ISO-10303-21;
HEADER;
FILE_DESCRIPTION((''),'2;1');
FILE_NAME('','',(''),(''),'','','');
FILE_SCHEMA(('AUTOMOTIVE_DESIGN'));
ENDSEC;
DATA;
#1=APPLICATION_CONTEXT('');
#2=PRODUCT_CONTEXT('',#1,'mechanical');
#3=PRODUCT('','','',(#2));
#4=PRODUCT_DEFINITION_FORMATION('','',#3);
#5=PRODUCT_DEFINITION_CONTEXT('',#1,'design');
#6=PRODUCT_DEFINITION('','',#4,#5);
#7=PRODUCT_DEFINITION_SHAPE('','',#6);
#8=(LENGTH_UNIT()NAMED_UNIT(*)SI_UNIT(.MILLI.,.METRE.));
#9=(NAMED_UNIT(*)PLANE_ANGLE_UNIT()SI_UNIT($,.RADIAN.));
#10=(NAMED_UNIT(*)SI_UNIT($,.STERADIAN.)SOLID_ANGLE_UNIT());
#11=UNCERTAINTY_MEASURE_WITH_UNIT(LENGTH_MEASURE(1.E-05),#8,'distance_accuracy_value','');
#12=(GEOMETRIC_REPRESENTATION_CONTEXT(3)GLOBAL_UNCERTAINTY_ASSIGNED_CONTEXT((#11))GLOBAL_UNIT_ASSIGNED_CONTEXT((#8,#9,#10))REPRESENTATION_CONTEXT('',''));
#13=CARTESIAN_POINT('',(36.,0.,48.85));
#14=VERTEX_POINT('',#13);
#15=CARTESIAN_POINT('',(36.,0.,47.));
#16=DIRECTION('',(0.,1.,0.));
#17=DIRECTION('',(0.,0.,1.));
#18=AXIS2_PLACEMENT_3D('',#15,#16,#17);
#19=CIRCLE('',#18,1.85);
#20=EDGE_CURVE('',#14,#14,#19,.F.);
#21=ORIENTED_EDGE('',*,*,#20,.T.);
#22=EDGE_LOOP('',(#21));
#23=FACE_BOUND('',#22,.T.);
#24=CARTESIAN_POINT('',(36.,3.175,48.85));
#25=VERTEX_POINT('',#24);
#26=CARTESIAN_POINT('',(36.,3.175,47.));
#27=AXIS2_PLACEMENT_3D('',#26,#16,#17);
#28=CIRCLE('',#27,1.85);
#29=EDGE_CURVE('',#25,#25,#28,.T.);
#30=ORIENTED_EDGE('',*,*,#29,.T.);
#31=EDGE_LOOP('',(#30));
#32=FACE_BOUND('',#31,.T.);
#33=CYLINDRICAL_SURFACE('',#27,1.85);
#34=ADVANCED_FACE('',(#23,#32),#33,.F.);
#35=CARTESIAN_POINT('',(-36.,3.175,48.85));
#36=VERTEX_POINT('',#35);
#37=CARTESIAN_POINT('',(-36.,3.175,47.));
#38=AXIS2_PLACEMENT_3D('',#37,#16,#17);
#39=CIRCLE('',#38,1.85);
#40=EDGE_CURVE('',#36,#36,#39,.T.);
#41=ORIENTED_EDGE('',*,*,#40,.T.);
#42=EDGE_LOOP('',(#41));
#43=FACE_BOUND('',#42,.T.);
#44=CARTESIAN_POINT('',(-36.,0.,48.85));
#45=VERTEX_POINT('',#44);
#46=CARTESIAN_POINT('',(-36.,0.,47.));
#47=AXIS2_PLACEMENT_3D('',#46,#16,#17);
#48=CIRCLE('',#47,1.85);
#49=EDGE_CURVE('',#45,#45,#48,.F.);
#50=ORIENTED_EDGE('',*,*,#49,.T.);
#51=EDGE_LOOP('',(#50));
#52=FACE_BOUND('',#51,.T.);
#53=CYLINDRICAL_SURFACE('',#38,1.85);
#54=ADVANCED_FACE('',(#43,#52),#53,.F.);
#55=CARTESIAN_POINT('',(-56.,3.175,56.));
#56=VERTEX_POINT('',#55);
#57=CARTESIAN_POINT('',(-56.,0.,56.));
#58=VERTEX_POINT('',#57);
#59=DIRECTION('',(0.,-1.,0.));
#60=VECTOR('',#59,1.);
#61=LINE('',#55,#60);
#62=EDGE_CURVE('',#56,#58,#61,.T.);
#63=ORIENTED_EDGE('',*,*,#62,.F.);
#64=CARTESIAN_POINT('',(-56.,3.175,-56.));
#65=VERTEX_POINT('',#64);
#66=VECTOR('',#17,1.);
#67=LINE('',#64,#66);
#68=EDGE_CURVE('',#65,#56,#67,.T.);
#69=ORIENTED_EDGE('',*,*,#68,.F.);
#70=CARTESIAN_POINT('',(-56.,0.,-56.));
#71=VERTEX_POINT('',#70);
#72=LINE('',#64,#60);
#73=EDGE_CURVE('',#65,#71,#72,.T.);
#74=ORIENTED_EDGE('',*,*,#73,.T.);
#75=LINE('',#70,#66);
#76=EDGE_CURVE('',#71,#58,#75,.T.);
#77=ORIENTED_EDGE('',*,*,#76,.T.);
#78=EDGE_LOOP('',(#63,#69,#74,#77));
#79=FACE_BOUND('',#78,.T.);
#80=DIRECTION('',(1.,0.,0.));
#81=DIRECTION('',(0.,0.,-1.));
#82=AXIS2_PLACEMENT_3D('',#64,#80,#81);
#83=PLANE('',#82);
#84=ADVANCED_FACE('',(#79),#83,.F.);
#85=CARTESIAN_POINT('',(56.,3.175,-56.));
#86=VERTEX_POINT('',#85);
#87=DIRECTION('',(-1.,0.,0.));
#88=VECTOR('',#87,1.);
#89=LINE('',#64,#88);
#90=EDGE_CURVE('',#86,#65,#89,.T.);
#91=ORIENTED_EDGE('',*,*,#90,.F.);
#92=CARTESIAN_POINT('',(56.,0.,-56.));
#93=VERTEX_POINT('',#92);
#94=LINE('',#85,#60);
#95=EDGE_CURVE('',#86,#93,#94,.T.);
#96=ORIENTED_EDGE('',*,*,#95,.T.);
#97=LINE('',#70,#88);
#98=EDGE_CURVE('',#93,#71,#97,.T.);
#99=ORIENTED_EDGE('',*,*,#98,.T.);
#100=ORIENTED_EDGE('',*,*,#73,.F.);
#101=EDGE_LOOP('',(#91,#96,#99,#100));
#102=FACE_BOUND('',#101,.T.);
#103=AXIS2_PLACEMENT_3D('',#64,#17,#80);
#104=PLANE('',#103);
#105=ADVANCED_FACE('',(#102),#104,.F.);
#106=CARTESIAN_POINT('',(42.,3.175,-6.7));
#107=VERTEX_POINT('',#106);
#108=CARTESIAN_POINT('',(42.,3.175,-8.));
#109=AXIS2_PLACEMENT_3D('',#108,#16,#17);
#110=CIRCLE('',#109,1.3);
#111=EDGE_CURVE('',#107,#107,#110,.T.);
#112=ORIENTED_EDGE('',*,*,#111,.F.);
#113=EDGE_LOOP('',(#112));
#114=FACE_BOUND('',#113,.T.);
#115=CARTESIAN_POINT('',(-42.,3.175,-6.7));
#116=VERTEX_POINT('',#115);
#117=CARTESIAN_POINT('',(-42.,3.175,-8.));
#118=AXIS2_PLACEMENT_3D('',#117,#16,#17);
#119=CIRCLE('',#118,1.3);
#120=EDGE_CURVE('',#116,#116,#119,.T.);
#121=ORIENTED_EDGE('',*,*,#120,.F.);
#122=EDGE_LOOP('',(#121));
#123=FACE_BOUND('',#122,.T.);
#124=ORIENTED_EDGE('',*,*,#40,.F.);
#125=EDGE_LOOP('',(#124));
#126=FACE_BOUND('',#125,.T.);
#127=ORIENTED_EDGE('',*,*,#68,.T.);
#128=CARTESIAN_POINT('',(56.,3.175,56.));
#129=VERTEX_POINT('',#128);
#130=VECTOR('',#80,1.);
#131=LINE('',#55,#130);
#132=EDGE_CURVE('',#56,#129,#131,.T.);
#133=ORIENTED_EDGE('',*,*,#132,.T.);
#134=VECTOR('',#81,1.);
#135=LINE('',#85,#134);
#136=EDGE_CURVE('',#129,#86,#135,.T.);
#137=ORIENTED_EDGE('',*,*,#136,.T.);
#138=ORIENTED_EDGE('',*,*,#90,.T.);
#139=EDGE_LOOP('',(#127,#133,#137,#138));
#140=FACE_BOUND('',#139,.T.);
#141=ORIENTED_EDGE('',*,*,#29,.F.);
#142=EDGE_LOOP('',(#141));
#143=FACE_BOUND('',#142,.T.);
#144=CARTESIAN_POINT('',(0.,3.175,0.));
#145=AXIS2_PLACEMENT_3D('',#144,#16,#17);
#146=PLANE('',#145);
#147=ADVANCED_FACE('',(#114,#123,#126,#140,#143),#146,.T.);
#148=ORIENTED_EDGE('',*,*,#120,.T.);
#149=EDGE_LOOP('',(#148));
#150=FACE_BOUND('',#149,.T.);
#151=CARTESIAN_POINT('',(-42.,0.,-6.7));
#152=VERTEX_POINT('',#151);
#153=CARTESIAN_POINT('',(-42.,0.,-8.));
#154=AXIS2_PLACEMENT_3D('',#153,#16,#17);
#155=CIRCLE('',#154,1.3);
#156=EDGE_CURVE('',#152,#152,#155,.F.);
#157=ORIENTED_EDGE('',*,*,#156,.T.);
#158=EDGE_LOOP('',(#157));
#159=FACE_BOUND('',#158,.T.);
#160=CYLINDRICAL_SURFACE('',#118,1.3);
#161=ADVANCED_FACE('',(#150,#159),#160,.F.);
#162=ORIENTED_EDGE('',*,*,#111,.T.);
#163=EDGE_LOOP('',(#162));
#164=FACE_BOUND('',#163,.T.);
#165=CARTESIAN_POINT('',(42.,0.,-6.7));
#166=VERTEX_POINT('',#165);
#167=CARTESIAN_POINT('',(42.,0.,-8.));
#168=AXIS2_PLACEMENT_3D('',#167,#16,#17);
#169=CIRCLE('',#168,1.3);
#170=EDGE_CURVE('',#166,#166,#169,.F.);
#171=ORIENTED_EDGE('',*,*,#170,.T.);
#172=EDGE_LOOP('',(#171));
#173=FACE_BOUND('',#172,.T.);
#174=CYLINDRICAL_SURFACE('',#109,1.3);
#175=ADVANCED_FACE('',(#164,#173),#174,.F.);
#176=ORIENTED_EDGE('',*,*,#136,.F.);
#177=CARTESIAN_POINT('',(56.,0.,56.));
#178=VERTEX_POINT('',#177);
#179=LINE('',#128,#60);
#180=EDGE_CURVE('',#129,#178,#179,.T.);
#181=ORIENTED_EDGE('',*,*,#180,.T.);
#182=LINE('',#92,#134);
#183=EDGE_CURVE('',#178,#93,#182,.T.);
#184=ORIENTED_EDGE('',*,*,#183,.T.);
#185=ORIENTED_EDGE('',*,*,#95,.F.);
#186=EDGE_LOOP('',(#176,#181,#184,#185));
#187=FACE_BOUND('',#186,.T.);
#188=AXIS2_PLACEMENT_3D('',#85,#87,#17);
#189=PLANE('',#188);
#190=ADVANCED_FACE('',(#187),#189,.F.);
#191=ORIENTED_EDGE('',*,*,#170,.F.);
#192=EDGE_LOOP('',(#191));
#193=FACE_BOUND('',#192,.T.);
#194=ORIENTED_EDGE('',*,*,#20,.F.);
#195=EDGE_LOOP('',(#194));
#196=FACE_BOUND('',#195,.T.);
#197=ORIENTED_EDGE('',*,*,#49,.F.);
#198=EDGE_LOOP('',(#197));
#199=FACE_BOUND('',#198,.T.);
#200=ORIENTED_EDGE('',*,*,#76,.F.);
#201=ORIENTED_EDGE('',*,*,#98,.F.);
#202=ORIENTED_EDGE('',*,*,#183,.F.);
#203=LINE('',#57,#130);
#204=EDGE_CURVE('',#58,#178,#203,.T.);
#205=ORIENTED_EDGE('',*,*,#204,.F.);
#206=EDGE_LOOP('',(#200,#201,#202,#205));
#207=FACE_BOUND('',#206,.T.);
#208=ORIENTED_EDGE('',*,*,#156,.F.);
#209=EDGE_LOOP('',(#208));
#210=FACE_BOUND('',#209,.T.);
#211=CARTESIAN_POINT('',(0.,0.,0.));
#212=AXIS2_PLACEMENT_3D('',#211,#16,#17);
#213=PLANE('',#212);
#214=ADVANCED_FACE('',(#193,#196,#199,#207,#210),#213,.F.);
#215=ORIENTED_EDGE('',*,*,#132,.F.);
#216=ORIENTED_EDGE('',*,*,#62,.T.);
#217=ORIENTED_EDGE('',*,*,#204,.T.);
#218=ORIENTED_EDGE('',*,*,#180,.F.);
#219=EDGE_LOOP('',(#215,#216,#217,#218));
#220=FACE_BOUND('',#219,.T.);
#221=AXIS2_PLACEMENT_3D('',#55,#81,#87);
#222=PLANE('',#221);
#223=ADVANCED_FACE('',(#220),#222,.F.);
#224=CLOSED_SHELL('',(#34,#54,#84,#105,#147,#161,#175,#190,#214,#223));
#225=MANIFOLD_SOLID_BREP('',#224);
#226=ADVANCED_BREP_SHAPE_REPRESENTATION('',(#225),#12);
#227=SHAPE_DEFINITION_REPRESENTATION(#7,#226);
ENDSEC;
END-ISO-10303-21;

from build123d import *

# Parameters (mm, degrees)
ESQUISSE1_W          = 112
ESQUISSE1_H          = 112
BOSS_EXTRU_1_DEPTH   = 3.175
D_GAGEMENT_M41_D     = 3.7
D_GAGEMENT_M41_DEPTH = 3.175
D_GAGEMENT_M41_TIP   = 1.111592145
D_GAGEMENT_M32_D     = 2.6
D_GAGEMENT_M32_DEPTH = 3.175
D_GAGEMENT_M32_TIP   = 0.781118805


with BuildPart() as part:
    # Esquisse1 → Boss.-Extru.1 (new body)
    with BuildSketch(Plane(origin=(0, 0, 0), x_dir=(1, 0, 0), z_dir=(0, 1, 0))):
        Rectangle(ESQUISSE1_W, ESQUISSE1_H)
    extrude(amount=BOSS_EXTRU_1_DEPTH)

    # Dégagement M41
    with Locations(Plane(origin=(0, 3.175, 0), x_dir=(1, 0, 0), z_dir=(0, 1, 0))):
        with Locations((-36, -47), (36, -47)):
            Hole(D_GAGEMENT_M41_D / 2, depth=D_GAGEMENT_M41_DEPTH)
            with Locations((0, 0, -(D_GAGEMENT_M41_DEPTH + D_GAGEMENT_M41_TIP / 2))):  # 118° drill point
                Cone(0, D_GAGEMENT_M41_D / 2, D_GAGEMENT_M41_TIP, mode=Mode.SUBTRACT)

    # Dégagement M32
    with Locations(Plane(origin=(0, 3.175, 0), x_dir=(1, 0, 0), z_dir=(0, 1, 0))):
        with Locations((42, 8), (-42, 8)):
            Hole(D_GAGEMENT_M32_D / 2, depth=D_GAGEMENT_M32_DEPTH)
            with Locations((0, 0, -(D_GAGEMENT_M32_DEPTH + D_GAGEMENT_M32_TIP / 2))):  # 118° drill point
                Cone(0, D_GAGEMENT_M32_D / 2, D_GAGEMENT_M32_TIP, mode=Mode.SUBTRACT)


solid = part.part
